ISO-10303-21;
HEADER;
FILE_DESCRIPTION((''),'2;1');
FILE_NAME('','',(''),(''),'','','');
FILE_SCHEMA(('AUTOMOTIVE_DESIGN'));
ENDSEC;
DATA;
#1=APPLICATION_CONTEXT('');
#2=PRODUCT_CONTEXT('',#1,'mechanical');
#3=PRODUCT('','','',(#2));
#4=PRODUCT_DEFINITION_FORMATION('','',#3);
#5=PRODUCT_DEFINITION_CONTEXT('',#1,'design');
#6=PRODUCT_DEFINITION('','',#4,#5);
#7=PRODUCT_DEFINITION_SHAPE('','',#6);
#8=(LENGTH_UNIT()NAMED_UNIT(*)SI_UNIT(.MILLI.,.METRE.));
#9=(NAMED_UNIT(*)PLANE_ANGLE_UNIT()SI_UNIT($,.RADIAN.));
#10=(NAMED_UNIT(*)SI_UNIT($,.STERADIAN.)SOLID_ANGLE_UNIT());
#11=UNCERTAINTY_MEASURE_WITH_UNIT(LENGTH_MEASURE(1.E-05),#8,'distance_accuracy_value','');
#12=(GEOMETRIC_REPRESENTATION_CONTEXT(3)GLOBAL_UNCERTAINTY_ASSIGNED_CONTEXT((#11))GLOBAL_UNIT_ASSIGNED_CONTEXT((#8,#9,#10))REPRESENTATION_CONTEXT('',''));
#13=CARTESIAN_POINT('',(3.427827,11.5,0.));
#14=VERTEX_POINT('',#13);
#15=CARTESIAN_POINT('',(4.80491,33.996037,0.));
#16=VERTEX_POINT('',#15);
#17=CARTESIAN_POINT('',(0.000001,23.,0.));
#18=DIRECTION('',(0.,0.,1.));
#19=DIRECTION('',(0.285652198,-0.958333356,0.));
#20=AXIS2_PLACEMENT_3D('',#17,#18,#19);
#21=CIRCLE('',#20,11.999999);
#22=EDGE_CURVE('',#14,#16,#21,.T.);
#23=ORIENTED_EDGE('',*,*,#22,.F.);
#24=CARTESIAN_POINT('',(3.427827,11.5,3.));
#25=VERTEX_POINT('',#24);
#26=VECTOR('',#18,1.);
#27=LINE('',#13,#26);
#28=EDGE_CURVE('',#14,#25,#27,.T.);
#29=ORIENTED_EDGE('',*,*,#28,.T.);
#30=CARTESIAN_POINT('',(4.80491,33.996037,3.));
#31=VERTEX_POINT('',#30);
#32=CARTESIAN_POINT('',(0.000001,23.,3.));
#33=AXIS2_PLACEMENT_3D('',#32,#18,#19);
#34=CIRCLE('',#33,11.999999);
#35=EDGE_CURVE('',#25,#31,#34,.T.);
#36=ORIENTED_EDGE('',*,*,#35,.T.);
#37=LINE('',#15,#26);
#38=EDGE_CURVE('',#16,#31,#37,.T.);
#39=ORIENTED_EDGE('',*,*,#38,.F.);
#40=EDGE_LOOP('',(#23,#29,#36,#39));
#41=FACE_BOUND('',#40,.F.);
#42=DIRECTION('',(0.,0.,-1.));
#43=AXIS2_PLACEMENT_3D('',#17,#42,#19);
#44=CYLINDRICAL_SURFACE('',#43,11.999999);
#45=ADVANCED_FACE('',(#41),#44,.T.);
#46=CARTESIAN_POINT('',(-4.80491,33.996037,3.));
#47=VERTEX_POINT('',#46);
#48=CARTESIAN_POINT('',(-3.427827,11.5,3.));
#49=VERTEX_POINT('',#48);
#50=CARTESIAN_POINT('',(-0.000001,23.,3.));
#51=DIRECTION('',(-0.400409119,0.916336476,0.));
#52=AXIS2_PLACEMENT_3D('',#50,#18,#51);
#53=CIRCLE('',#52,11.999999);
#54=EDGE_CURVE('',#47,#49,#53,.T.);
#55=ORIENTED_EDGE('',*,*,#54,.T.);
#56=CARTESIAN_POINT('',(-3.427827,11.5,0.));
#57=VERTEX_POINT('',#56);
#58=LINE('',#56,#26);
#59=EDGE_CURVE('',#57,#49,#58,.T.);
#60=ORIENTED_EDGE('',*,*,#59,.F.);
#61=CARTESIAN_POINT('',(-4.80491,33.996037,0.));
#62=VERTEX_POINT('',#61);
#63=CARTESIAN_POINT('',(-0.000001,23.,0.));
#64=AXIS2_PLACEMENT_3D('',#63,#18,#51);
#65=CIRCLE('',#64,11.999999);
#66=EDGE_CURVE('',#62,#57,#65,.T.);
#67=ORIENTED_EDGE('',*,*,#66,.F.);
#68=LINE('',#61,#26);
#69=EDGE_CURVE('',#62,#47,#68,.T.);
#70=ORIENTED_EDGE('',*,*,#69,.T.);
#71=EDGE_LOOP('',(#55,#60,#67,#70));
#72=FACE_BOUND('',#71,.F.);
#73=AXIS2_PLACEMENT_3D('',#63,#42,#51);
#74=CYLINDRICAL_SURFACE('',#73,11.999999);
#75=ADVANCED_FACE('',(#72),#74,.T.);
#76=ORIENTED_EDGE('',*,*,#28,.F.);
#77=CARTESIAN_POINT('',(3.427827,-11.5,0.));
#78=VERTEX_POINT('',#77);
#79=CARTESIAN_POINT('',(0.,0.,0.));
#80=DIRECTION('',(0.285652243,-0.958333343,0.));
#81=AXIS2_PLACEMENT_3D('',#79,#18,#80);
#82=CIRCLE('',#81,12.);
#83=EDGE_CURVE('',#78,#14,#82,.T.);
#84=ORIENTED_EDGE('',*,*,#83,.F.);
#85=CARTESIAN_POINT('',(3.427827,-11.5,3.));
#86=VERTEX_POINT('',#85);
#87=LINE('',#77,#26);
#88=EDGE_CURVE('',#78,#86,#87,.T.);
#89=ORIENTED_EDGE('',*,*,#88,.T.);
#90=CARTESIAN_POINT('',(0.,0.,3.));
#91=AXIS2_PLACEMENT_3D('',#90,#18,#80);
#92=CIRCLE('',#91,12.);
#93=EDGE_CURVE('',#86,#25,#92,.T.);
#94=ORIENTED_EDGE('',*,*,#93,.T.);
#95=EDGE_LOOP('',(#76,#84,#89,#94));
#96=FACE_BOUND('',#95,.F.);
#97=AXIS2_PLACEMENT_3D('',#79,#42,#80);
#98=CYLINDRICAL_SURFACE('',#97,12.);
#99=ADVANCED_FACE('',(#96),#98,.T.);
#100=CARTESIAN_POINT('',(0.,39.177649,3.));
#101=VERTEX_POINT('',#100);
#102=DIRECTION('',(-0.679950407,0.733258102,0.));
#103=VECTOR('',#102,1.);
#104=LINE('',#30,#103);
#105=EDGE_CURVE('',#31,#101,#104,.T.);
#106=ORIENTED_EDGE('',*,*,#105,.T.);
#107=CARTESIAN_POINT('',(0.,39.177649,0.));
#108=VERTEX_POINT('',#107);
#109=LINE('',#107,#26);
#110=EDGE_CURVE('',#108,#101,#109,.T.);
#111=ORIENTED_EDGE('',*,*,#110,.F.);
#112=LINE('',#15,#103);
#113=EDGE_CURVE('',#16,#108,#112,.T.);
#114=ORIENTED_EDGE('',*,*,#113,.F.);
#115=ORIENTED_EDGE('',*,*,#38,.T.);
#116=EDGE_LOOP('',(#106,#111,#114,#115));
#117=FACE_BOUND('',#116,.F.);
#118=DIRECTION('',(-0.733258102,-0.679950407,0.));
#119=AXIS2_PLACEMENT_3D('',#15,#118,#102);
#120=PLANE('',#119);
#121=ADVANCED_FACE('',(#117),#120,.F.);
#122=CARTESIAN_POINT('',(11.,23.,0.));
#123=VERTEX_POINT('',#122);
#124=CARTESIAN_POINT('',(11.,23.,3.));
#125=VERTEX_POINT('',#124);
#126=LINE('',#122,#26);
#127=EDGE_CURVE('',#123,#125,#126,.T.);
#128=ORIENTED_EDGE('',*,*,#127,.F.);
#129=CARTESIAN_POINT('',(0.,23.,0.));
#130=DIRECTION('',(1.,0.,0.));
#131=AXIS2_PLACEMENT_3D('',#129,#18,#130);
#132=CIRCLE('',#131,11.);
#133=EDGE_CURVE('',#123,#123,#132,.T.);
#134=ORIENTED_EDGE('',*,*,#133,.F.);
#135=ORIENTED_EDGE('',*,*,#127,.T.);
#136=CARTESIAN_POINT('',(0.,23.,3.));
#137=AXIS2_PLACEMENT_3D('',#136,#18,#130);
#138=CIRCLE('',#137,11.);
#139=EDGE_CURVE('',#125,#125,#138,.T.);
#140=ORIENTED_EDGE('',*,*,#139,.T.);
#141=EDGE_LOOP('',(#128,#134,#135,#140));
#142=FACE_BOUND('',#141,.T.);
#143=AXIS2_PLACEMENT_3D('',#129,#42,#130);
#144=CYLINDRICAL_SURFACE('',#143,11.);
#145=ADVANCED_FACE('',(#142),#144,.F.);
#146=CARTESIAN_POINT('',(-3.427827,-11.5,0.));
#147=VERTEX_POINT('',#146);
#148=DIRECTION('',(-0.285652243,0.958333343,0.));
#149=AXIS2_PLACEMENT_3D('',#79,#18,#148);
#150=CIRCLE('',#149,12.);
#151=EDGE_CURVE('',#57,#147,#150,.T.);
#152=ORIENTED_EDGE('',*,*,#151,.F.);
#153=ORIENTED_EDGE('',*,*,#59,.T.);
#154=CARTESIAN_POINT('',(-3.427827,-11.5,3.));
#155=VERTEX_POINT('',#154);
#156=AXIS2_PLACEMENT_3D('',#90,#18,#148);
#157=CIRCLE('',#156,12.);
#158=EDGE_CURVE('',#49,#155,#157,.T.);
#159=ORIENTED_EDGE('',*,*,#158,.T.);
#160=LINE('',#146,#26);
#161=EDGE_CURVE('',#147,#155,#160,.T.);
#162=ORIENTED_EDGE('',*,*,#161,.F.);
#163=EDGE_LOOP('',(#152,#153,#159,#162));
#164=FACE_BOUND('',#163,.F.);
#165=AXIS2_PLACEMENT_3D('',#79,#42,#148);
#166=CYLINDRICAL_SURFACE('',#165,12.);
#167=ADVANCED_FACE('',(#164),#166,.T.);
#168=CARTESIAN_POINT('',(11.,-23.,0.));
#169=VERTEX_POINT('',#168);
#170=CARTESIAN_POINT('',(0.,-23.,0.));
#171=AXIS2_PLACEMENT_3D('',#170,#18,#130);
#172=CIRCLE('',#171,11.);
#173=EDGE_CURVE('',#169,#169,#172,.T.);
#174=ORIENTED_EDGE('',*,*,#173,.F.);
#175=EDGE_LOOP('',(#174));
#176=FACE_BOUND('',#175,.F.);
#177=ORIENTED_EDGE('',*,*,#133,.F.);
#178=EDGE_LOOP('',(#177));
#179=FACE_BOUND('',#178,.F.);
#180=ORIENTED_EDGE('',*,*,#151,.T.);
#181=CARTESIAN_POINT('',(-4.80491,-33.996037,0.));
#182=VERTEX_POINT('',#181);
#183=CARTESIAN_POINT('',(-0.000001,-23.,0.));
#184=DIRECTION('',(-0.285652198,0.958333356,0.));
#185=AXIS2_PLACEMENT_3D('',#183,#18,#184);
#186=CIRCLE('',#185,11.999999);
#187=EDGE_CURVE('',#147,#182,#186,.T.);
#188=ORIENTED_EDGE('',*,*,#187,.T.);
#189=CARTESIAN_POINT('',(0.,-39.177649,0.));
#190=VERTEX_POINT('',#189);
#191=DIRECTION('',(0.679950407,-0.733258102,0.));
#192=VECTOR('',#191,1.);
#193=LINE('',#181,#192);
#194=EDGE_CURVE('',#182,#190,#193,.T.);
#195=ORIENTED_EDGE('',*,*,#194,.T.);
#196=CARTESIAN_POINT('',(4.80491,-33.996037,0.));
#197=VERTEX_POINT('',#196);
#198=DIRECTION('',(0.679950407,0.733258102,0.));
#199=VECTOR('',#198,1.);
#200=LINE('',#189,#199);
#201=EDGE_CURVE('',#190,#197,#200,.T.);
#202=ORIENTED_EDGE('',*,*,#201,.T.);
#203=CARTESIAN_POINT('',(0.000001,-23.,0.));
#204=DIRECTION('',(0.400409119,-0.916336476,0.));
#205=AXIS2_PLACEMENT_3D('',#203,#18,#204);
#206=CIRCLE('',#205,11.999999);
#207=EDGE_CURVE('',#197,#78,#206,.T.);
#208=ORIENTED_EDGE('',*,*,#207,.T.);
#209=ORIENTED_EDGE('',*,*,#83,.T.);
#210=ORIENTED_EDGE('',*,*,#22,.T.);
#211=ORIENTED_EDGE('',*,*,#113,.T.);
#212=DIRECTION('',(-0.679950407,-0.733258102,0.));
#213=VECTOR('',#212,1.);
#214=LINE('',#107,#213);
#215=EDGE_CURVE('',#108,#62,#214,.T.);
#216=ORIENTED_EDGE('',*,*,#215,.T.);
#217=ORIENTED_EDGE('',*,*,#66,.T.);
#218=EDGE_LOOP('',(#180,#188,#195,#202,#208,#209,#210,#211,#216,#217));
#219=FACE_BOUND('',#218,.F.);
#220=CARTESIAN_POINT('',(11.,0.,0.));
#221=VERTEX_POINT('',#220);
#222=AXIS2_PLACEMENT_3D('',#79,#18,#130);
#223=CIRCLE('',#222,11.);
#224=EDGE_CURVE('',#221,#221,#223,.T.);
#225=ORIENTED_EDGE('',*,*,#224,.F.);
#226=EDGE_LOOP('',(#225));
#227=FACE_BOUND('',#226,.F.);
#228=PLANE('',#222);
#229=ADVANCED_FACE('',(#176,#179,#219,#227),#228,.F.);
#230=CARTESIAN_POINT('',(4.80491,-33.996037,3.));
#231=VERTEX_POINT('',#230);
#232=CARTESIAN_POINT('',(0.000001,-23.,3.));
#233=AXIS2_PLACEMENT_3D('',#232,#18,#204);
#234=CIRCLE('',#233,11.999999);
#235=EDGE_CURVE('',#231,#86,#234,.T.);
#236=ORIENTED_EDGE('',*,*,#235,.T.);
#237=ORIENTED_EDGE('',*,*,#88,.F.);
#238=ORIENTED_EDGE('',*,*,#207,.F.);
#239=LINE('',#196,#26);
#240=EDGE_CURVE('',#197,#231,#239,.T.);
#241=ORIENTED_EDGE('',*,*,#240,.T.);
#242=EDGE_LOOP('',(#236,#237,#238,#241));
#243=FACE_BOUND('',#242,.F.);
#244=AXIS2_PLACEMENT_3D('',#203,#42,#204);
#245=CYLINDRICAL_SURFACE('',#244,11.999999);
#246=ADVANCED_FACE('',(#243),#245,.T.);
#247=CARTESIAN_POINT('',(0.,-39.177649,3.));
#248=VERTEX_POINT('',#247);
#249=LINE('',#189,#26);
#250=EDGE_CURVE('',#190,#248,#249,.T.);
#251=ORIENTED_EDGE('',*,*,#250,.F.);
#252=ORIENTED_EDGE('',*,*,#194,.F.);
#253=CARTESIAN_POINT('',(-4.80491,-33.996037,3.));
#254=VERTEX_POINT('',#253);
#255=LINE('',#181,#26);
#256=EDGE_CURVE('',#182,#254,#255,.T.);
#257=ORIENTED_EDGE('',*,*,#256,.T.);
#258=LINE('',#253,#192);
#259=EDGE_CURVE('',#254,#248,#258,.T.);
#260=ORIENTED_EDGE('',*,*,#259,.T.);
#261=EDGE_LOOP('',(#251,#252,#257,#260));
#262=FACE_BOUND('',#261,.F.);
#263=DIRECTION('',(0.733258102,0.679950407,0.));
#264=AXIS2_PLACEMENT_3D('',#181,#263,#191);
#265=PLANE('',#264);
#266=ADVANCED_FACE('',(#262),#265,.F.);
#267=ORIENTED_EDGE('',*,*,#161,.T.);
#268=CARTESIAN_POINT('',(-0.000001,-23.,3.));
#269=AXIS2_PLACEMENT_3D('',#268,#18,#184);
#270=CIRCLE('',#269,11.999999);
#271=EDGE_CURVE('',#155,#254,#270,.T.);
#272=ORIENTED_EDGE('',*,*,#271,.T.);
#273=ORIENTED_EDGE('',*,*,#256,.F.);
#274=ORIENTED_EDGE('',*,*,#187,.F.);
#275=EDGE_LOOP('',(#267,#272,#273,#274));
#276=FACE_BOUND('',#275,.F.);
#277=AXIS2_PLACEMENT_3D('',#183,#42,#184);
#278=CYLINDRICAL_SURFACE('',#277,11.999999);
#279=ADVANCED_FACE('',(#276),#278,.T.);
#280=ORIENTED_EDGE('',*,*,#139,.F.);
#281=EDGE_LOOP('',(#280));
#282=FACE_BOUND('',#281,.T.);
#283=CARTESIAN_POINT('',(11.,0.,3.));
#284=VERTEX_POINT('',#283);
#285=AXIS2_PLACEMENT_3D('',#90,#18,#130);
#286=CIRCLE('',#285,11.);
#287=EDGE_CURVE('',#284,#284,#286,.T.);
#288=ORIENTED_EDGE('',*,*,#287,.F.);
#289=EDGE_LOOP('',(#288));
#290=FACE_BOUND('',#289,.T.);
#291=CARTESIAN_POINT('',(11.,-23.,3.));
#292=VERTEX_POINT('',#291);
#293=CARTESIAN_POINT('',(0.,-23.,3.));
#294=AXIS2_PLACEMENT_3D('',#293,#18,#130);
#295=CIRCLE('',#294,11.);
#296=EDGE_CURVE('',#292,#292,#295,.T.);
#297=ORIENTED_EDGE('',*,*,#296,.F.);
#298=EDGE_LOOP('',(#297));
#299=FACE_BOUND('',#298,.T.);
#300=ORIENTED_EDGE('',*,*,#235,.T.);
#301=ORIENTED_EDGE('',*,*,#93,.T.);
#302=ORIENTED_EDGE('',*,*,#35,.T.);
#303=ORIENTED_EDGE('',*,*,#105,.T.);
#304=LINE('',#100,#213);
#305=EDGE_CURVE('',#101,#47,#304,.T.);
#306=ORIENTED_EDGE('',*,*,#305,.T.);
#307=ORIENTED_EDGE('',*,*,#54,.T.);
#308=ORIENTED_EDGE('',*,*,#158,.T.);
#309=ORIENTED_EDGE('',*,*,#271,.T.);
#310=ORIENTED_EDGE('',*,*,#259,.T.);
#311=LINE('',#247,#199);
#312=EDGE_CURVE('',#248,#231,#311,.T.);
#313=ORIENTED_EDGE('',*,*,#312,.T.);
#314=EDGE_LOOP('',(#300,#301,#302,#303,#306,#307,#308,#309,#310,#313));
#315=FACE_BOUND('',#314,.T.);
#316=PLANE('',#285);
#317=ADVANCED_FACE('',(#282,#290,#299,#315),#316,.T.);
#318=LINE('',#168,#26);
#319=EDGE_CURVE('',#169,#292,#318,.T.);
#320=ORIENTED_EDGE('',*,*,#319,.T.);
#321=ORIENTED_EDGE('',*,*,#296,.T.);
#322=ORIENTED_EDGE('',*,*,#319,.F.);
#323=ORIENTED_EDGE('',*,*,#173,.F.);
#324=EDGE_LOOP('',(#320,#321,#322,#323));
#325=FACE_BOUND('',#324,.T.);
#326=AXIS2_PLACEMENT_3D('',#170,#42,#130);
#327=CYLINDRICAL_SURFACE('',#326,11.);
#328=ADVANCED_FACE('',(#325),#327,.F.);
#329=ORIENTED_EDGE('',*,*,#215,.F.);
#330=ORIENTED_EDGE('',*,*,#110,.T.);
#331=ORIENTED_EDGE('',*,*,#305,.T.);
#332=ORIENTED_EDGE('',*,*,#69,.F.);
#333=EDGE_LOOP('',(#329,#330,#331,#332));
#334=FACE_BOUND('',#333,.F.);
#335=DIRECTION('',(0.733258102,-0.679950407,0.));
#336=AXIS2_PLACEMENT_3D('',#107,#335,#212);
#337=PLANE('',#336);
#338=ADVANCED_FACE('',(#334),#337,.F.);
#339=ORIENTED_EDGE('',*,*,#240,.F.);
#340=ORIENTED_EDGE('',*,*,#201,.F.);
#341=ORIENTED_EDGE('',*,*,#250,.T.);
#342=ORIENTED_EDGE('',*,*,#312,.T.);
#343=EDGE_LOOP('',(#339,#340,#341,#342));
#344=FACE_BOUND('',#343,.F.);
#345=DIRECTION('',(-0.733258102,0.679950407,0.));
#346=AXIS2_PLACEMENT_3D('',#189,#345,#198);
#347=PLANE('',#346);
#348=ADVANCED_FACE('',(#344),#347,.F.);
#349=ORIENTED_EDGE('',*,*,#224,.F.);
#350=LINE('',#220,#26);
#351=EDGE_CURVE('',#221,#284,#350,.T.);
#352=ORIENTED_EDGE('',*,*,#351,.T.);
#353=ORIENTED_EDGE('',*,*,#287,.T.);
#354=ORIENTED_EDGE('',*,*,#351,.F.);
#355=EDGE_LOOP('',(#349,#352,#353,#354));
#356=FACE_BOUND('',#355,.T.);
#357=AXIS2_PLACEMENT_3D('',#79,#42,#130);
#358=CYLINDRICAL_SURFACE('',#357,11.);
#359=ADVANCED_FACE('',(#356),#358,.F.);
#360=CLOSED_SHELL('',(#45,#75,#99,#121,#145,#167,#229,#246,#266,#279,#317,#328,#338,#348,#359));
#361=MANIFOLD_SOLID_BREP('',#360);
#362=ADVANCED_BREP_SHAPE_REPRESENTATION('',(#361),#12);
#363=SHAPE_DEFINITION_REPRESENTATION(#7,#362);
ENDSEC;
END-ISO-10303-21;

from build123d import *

# Parameters (mm, degrees)
F0_R     = 11
F1_DEPTH = 3


with BuildPart() as f1:
    # F0 (on Top) → F1 (new body)
    with BuildSketch(Plane.XY):
        with BuildLine():
            ThreePointArc((-4.80491, 33.996037), (-11.97758, 22.266799), (-3.427827, 11.5))
            ThreePointArc((-3.427827, 11.5), (-12, 0), (-3.427827, -11.5))
            ThreePointArc((-3.427827, -11.5), (-11.97758, -22.266799), (-4.80491, -33.996037))
            Line((-4.80491, -33.996037), (0, -39.177649))
            Line((0, -39.177649), (4.80491, -33.996037))
            ThreePointArc((4.80491, -33.996037), (11.97758, -22.266799), (3.427827, -11.5))
            ThreePointArc((3.427827, -11.5), (12, 0), (3.427827, 11.5))
            ThreePointArc((3.427827, 11.5), (11.97758, 22.266799), (4.80491, 33.996037))
            Line((4.80491, 33.996037), (0, 39.177649))
            Line((0, 39.177649), (-4.80491, 33.996037))
        make_face()
        with Locations((0, -23)):
            Circle(F0_R, mode=Mode.SUBTRACT)
        Circle(F0_R, mode=Mode.SUBTRACT)
        with Locations((0, 23)):
            Circle(F0_R, mode=Mode.SUBTRACT)
    extrude(amount=F1_DEPTH)


solid = f1.part
